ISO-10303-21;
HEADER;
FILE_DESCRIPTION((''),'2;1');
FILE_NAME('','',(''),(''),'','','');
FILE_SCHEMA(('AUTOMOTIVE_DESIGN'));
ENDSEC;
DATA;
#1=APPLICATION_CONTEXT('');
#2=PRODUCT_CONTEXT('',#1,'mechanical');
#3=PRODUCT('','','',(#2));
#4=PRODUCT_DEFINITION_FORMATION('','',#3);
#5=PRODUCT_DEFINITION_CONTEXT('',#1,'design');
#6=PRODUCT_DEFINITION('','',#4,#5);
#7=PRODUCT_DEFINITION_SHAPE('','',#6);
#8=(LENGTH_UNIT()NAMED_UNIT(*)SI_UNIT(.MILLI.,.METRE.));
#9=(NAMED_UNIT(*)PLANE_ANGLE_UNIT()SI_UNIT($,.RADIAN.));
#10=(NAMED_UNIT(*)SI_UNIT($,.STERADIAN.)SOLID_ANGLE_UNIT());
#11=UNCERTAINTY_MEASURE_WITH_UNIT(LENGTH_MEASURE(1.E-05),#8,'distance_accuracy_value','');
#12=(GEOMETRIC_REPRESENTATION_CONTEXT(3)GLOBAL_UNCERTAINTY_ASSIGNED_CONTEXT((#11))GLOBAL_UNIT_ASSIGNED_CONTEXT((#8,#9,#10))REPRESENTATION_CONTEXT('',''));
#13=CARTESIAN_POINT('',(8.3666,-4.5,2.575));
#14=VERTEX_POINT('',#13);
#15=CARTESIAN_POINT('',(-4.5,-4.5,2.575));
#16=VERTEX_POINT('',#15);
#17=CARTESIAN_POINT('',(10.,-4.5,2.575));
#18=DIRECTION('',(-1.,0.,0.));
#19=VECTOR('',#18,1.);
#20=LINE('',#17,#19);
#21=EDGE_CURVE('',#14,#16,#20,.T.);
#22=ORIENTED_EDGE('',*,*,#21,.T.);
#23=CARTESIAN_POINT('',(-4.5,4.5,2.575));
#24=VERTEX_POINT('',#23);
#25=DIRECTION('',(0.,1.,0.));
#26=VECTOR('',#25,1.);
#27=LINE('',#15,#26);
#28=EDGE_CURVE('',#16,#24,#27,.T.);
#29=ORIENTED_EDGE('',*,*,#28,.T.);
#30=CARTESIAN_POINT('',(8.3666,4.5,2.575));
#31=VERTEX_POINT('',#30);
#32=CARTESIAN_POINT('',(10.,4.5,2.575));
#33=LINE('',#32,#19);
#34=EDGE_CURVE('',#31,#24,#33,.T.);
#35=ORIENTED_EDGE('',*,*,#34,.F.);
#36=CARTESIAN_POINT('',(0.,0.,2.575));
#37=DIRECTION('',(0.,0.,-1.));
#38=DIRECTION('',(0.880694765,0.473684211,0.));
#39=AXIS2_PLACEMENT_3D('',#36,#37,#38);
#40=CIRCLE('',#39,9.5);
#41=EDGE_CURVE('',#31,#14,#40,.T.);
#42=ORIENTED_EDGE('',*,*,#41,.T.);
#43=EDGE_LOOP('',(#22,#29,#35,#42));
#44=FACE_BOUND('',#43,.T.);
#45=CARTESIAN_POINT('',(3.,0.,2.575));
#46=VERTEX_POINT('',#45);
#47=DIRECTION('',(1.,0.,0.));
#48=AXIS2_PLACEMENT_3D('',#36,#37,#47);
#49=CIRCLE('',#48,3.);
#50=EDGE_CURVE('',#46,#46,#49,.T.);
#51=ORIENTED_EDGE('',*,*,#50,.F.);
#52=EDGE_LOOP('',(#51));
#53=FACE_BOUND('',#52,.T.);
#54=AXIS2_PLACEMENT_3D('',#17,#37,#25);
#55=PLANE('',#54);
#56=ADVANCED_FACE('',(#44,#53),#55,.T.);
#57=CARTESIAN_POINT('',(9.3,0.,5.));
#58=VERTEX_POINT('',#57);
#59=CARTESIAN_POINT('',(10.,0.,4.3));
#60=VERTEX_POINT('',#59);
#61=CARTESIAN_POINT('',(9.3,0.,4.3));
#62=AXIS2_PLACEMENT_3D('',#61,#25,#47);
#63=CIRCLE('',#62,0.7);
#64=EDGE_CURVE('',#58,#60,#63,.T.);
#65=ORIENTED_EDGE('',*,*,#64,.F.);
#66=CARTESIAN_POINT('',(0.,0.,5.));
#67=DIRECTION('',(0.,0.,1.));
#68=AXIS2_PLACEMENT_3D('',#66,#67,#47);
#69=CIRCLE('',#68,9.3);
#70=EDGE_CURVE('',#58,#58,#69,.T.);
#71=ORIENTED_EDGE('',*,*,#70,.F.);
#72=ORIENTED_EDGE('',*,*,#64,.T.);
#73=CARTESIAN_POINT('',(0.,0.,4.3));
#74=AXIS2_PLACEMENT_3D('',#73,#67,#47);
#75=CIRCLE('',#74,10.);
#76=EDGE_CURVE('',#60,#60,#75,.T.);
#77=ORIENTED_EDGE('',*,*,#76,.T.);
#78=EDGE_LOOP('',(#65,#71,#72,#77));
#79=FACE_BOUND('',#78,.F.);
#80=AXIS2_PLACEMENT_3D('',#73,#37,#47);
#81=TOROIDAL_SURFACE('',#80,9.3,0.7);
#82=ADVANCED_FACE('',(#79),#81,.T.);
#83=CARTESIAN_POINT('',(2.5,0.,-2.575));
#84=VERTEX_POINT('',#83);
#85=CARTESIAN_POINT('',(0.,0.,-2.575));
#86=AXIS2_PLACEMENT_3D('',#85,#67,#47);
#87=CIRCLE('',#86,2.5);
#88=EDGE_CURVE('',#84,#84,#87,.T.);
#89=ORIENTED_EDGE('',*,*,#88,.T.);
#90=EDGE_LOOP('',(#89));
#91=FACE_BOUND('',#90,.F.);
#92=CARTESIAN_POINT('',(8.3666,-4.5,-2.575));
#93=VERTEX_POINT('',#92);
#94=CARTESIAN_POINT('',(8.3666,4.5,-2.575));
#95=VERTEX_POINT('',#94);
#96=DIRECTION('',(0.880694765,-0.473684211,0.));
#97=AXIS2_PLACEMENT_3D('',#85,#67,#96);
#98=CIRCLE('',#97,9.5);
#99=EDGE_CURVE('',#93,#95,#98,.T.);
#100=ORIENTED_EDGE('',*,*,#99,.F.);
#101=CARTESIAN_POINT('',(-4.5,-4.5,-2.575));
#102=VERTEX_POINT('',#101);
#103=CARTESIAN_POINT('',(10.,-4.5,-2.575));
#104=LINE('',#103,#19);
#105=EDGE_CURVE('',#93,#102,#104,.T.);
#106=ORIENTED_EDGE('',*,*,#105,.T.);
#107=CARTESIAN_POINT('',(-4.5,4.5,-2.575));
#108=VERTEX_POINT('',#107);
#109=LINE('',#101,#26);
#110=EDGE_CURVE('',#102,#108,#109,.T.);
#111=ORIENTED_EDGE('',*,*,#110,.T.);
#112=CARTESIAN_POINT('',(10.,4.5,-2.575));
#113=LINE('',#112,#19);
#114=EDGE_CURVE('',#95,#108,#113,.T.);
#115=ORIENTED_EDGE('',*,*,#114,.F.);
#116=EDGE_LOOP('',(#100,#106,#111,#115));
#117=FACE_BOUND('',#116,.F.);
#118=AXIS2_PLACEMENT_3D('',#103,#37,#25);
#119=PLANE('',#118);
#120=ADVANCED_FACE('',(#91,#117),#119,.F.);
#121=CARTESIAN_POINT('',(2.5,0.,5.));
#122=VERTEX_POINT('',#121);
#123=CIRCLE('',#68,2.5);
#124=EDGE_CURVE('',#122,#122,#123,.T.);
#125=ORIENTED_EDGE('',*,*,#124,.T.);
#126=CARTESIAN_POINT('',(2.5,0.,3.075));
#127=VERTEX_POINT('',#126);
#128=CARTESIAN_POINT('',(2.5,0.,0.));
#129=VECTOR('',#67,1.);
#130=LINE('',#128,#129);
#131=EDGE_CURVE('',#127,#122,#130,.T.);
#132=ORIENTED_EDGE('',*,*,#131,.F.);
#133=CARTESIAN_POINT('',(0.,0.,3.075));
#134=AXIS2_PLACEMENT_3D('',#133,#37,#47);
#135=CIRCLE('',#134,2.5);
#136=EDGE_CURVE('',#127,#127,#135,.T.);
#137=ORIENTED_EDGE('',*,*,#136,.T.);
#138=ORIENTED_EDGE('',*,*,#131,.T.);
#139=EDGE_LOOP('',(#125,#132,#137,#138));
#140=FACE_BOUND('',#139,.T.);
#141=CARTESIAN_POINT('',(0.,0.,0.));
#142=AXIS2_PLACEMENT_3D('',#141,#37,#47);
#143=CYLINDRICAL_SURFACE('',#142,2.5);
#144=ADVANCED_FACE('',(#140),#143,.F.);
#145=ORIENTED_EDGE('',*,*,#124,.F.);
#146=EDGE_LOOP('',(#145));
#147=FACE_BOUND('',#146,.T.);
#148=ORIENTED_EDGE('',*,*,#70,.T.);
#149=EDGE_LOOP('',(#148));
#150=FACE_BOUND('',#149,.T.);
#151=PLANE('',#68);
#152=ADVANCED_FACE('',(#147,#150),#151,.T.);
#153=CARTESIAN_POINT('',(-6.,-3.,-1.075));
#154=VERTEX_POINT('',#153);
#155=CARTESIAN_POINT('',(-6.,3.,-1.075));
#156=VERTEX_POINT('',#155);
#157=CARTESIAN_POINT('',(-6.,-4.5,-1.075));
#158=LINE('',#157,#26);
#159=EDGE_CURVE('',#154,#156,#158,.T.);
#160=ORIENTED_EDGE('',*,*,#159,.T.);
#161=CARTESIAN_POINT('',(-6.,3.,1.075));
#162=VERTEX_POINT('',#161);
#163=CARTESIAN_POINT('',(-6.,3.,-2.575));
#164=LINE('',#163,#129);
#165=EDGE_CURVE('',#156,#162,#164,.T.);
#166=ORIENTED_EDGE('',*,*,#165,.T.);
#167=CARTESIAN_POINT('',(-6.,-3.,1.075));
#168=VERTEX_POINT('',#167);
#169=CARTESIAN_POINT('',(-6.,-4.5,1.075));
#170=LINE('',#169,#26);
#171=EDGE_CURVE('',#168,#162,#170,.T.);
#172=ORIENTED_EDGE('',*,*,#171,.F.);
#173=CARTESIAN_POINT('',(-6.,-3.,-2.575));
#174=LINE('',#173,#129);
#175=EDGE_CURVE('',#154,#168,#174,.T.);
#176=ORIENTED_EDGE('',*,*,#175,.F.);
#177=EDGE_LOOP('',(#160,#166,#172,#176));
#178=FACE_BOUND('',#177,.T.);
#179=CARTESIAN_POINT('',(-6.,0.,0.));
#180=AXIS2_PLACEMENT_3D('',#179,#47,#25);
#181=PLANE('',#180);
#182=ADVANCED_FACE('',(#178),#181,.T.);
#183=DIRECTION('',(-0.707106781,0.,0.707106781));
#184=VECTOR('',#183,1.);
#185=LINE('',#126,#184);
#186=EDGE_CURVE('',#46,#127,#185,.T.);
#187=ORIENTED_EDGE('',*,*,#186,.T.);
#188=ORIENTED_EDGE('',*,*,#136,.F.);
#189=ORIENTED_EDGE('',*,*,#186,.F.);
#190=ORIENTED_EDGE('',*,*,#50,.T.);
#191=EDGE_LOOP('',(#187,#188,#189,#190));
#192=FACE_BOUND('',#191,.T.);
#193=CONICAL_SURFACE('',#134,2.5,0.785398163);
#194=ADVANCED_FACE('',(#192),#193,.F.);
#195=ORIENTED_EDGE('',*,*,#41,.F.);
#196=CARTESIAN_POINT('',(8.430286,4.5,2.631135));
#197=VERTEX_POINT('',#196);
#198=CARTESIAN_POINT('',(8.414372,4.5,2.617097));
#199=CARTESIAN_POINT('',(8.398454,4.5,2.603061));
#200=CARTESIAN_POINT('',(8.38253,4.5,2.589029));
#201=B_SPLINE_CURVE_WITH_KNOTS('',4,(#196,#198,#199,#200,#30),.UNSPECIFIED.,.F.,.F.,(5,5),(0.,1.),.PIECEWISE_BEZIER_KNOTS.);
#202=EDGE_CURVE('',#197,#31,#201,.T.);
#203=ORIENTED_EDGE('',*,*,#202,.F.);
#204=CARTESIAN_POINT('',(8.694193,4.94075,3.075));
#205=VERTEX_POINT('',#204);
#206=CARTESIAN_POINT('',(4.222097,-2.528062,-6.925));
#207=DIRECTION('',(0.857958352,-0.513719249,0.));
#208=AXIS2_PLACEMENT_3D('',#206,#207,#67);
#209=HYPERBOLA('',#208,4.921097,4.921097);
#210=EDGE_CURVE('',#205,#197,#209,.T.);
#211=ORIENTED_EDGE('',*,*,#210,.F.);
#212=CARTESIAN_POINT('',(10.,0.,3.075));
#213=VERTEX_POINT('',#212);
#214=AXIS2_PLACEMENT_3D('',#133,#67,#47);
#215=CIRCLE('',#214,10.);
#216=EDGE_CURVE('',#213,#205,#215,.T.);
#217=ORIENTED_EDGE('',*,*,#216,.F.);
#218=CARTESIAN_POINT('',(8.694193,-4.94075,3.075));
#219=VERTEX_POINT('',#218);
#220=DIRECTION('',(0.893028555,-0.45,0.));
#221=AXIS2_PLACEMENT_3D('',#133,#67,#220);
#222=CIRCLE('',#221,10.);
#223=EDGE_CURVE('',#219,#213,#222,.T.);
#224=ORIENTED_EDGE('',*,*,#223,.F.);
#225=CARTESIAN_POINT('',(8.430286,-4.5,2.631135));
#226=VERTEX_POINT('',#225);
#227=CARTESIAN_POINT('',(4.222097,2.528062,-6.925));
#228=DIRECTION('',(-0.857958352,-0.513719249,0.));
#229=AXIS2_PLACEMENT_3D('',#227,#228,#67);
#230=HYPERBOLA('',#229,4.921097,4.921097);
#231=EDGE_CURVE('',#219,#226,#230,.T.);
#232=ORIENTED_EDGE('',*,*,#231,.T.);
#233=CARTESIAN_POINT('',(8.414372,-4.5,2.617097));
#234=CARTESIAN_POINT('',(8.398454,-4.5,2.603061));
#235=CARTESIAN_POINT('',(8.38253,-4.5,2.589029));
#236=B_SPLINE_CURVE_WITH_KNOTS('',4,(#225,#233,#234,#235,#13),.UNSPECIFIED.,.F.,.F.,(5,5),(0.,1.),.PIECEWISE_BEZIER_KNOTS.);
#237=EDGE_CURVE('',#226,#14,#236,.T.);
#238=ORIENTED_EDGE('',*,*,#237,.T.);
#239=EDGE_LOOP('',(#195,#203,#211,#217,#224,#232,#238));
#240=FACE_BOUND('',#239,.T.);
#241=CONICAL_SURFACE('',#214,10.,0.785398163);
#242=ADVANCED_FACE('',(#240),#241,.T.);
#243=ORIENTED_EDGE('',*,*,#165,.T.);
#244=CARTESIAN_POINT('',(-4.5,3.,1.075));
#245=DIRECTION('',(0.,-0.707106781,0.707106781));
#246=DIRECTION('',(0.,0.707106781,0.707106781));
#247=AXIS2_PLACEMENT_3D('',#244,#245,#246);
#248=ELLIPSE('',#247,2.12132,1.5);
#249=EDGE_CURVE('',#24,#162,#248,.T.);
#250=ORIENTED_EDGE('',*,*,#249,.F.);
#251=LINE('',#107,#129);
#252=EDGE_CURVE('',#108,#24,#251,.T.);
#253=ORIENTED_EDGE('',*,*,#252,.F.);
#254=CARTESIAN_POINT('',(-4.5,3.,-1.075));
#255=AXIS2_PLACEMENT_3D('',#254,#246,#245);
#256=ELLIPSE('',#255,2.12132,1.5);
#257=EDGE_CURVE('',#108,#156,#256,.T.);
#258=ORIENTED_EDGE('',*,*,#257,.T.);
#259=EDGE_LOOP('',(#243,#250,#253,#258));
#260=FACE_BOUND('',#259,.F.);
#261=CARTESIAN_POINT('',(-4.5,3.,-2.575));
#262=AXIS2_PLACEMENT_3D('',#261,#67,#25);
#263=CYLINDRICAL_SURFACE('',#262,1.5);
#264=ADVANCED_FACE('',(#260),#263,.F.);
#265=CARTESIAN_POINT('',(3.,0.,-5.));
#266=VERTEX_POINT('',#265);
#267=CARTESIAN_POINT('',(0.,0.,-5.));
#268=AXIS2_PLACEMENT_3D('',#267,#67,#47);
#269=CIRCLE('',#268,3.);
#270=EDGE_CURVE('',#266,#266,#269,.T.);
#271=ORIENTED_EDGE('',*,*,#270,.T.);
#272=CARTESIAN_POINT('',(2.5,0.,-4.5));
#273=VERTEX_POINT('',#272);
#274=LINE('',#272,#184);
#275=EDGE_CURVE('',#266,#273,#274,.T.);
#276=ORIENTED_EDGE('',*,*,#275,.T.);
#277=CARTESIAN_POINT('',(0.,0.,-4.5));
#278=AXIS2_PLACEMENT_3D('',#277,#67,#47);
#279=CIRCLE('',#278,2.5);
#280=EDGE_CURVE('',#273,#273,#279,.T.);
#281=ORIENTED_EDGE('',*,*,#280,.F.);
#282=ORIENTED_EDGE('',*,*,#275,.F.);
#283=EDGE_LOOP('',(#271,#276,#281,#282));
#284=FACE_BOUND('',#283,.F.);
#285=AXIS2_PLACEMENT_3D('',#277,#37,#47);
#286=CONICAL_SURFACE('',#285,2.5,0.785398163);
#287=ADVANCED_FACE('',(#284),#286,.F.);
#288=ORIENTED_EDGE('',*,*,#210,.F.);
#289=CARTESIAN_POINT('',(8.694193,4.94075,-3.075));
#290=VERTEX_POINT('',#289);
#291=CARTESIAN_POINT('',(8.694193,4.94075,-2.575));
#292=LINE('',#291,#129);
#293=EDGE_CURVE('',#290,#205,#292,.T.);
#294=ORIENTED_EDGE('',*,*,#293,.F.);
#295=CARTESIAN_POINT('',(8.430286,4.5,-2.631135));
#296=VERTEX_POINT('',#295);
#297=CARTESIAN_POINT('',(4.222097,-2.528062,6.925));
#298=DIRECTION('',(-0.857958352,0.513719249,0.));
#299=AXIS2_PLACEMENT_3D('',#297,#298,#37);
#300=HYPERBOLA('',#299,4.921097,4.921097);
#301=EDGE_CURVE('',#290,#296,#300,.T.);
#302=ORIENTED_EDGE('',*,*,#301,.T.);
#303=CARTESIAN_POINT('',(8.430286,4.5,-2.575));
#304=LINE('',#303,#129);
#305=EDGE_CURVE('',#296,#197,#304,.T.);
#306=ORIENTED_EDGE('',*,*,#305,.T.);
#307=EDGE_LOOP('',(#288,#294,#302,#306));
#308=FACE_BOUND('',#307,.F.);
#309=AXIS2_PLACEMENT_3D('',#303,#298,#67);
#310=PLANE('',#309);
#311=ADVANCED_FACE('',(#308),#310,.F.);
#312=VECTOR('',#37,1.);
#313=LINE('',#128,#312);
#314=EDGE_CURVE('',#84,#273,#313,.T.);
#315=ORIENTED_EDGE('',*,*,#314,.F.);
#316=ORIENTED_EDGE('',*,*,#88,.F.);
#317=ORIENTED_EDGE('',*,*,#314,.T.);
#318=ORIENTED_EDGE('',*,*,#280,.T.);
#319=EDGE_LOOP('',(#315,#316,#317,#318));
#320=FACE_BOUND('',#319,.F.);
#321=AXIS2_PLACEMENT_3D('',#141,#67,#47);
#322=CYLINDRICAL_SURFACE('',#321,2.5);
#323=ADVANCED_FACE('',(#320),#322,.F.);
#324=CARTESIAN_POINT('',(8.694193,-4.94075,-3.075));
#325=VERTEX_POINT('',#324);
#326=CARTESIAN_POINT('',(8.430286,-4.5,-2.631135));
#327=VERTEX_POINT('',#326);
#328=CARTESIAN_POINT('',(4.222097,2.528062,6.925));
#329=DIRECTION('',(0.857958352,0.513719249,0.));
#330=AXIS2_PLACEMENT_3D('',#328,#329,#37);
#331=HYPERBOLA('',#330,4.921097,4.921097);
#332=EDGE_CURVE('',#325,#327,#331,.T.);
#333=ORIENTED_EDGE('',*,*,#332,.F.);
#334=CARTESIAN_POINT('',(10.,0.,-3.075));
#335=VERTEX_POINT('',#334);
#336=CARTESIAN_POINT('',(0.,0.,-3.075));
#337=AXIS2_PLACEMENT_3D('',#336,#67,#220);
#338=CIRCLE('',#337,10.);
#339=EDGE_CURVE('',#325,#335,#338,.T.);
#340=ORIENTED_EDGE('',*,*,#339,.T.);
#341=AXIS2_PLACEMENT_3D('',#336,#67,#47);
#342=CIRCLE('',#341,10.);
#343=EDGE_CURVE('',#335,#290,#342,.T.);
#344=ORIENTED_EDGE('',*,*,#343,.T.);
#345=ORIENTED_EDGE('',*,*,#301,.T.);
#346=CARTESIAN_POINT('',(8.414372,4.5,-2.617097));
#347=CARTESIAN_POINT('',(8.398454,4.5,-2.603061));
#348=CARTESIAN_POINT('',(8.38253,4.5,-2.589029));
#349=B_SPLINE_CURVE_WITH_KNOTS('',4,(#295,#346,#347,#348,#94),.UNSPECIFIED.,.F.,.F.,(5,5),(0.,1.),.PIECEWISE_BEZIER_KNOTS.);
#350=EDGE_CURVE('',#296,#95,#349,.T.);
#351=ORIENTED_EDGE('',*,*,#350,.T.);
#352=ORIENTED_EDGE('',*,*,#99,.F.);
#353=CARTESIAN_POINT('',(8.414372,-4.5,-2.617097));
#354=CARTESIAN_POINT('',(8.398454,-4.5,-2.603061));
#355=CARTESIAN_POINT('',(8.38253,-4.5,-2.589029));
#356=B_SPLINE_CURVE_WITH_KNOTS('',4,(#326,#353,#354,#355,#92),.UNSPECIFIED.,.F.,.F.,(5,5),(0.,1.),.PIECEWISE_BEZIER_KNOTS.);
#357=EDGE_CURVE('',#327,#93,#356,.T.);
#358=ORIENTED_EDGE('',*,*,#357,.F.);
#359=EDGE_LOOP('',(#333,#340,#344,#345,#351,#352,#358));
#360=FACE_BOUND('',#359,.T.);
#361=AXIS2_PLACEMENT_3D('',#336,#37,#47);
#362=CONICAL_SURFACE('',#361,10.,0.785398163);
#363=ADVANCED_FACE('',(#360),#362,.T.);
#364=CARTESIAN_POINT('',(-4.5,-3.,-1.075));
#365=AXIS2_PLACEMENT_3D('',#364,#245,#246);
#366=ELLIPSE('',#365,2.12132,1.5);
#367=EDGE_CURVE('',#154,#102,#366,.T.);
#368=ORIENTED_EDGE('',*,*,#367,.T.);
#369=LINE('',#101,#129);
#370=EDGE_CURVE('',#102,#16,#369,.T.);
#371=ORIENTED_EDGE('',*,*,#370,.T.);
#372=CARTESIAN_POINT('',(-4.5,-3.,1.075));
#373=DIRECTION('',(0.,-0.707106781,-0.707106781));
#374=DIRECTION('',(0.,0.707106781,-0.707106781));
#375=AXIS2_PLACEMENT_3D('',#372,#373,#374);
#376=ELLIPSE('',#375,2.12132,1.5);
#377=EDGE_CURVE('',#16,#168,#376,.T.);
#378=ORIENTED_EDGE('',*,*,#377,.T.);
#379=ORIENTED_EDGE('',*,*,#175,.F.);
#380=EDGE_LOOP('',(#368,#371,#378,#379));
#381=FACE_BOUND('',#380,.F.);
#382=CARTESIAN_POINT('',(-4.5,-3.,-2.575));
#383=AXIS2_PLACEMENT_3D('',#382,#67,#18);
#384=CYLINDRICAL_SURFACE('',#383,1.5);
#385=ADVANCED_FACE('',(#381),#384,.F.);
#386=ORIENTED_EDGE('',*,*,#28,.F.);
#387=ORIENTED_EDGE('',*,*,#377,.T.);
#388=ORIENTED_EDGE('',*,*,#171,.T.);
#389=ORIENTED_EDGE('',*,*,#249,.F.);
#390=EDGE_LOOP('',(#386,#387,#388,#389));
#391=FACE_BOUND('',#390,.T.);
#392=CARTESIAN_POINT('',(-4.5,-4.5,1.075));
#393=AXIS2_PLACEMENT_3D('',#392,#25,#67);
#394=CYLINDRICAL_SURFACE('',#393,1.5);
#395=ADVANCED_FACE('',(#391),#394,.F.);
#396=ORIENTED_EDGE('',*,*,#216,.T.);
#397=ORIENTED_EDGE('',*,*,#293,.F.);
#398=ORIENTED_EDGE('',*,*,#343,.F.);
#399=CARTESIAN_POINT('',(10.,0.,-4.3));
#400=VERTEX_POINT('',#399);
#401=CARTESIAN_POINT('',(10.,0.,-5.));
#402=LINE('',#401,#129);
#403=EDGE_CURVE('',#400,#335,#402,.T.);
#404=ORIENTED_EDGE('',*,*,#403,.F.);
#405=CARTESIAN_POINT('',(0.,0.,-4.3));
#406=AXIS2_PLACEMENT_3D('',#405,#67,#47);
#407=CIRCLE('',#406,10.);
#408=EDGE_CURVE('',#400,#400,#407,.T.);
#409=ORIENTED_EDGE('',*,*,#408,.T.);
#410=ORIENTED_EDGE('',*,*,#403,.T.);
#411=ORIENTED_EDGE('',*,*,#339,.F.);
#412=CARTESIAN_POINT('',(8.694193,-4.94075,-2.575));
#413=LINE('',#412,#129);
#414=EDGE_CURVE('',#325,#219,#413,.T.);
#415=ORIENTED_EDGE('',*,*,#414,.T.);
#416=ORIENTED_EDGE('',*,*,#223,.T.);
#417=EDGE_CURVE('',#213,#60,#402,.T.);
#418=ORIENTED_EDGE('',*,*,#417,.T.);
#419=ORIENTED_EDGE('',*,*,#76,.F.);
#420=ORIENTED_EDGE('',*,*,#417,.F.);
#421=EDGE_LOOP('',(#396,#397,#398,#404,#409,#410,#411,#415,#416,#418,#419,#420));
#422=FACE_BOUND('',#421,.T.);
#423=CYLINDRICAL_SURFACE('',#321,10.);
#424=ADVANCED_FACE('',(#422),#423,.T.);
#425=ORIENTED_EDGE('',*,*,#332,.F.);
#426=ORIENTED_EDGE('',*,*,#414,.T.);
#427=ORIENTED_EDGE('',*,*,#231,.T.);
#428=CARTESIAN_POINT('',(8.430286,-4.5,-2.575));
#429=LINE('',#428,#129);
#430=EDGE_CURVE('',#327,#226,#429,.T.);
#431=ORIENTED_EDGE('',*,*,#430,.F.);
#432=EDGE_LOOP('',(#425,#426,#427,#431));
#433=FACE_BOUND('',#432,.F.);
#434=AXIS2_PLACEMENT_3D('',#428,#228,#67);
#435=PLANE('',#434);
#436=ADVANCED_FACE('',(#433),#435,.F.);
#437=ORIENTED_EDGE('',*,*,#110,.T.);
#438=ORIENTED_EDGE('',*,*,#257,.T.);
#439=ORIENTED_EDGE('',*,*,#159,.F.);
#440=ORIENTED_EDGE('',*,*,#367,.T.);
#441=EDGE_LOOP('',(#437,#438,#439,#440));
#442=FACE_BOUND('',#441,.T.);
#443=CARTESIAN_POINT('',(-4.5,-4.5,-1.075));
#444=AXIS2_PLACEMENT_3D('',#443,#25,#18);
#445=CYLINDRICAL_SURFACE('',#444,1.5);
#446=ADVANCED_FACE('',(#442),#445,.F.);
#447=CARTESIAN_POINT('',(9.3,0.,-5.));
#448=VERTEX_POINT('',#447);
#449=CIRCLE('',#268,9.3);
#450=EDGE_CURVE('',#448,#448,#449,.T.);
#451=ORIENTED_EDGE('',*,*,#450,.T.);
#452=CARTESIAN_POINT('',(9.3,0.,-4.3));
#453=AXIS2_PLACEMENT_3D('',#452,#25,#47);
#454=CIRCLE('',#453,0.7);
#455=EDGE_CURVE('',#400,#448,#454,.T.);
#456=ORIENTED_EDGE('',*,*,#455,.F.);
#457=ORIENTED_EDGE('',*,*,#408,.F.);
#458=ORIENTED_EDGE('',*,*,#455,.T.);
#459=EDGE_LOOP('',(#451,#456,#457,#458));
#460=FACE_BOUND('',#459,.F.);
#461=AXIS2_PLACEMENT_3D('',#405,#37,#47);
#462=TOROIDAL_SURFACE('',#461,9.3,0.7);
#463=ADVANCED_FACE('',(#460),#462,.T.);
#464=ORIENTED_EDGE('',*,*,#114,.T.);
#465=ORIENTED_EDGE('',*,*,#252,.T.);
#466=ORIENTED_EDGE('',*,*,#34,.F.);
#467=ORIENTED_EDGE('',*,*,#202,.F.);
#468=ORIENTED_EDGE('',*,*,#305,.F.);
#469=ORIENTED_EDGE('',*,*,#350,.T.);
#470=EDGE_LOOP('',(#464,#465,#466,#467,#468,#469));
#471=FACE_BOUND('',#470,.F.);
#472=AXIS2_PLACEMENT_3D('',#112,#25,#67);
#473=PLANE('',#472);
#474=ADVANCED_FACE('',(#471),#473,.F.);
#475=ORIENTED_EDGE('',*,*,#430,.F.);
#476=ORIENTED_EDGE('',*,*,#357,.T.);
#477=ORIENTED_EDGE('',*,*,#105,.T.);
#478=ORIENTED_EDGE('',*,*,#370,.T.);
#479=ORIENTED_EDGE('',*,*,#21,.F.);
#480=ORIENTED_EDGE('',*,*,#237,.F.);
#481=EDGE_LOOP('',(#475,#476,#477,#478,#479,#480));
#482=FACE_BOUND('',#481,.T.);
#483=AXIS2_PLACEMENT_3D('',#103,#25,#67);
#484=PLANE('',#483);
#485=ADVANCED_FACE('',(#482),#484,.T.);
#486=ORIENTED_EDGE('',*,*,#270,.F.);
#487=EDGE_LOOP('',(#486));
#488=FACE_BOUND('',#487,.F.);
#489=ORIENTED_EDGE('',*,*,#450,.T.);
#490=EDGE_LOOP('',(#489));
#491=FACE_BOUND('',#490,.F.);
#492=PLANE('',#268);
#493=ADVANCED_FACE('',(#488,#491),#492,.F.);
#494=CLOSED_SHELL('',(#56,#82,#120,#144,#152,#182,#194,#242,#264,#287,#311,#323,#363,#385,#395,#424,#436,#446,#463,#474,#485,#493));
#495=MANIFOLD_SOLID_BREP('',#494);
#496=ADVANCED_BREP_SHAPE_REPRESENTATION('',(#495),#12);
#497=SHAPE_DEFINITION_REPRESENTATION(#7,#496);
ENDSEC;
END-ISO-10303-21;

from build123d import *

# Parameters (mm, degrees)
SKETCH_R        = 10
SKETCH_R_2      = 2.5
PAD_DEPTH       = 5
PAD_DEPTH_BACK  = 5
SKETCH001_W     = 9
SKETCH001_H     = 5.15
POCKET_DEPTH    = 16
CHAMFER_SIZE    = 0.5
FILLET_R        = 1.5
CHAMFER001_SIZE = 0.5
FILLET001_R     = 0.7


with BuildPart() as part:
    # Sketch → Pad (new body, two sides)
    with BuildSketch(Plane.XY) as pad_sk:
        Circle(SKETCH_R)
        Circle(SKETCH_R_2, mode=Mode.SUBTRACT)
    extrude(amount=PAD_DEPTH)
    extrude(pad_sk.sketch, amount=-PAD_DEPTH_BACK)

    # Sketch001 (on DatumPlane) → Pocket (cut)
    with BuildSketch(Plane.YZ.offset(10)):
        Rectangle(SKETCH001_W, SKETCH001_H)
    extrude(amount=-POCKET_DEPTH, mode=Mode.SUBTRACT)

    # Chamfer
    chamfer_edges = [part.edges().sort_by_distance(p)[0] for p in [
        (-2.5, 0, -5),
        (-2.5, 0, 2.575),
    ]]
    chamfer(chamfer_edges, length=CHAMFER_SIZE)

    # Fillet
    fillet_edges = [part.edges().sort_by_distance(p)[0] for p in [
        (-6, 0, 2.575),
        (-6, 4.5, 0),
        (-6, 0, -2.575),
        (-6, -4.5, 0),
    ]]
    fillet(fillet_edges, radius=FILLET_R)

    # Chamfer001
    chamfer001_edges = [part.edges().sort_by_distance(p)[0] for p in [
        (9.728897, -2.312698, -2.575),
        (8.930286, -4.5, 0),
        (9.728897, -2.312698, 2.575),
        (9.728897, 2.312698, 2.575),
        (8.930286, 4.5, 0),
        (9.728897, 2.312698, -2.575),
    ]]
    chamfer(chamfer001_edges, length=CHAMFER001_SIZE)

    # Fillet001
    fillet001_edges = [part.edges().sort_by_distance(p)[0] for p in [
        (-10, 0, 5),
        (-10, 0, -5),
    ]]
    fillet(fillet001_edges, radius=FILLET001_R)


solid = part.part
